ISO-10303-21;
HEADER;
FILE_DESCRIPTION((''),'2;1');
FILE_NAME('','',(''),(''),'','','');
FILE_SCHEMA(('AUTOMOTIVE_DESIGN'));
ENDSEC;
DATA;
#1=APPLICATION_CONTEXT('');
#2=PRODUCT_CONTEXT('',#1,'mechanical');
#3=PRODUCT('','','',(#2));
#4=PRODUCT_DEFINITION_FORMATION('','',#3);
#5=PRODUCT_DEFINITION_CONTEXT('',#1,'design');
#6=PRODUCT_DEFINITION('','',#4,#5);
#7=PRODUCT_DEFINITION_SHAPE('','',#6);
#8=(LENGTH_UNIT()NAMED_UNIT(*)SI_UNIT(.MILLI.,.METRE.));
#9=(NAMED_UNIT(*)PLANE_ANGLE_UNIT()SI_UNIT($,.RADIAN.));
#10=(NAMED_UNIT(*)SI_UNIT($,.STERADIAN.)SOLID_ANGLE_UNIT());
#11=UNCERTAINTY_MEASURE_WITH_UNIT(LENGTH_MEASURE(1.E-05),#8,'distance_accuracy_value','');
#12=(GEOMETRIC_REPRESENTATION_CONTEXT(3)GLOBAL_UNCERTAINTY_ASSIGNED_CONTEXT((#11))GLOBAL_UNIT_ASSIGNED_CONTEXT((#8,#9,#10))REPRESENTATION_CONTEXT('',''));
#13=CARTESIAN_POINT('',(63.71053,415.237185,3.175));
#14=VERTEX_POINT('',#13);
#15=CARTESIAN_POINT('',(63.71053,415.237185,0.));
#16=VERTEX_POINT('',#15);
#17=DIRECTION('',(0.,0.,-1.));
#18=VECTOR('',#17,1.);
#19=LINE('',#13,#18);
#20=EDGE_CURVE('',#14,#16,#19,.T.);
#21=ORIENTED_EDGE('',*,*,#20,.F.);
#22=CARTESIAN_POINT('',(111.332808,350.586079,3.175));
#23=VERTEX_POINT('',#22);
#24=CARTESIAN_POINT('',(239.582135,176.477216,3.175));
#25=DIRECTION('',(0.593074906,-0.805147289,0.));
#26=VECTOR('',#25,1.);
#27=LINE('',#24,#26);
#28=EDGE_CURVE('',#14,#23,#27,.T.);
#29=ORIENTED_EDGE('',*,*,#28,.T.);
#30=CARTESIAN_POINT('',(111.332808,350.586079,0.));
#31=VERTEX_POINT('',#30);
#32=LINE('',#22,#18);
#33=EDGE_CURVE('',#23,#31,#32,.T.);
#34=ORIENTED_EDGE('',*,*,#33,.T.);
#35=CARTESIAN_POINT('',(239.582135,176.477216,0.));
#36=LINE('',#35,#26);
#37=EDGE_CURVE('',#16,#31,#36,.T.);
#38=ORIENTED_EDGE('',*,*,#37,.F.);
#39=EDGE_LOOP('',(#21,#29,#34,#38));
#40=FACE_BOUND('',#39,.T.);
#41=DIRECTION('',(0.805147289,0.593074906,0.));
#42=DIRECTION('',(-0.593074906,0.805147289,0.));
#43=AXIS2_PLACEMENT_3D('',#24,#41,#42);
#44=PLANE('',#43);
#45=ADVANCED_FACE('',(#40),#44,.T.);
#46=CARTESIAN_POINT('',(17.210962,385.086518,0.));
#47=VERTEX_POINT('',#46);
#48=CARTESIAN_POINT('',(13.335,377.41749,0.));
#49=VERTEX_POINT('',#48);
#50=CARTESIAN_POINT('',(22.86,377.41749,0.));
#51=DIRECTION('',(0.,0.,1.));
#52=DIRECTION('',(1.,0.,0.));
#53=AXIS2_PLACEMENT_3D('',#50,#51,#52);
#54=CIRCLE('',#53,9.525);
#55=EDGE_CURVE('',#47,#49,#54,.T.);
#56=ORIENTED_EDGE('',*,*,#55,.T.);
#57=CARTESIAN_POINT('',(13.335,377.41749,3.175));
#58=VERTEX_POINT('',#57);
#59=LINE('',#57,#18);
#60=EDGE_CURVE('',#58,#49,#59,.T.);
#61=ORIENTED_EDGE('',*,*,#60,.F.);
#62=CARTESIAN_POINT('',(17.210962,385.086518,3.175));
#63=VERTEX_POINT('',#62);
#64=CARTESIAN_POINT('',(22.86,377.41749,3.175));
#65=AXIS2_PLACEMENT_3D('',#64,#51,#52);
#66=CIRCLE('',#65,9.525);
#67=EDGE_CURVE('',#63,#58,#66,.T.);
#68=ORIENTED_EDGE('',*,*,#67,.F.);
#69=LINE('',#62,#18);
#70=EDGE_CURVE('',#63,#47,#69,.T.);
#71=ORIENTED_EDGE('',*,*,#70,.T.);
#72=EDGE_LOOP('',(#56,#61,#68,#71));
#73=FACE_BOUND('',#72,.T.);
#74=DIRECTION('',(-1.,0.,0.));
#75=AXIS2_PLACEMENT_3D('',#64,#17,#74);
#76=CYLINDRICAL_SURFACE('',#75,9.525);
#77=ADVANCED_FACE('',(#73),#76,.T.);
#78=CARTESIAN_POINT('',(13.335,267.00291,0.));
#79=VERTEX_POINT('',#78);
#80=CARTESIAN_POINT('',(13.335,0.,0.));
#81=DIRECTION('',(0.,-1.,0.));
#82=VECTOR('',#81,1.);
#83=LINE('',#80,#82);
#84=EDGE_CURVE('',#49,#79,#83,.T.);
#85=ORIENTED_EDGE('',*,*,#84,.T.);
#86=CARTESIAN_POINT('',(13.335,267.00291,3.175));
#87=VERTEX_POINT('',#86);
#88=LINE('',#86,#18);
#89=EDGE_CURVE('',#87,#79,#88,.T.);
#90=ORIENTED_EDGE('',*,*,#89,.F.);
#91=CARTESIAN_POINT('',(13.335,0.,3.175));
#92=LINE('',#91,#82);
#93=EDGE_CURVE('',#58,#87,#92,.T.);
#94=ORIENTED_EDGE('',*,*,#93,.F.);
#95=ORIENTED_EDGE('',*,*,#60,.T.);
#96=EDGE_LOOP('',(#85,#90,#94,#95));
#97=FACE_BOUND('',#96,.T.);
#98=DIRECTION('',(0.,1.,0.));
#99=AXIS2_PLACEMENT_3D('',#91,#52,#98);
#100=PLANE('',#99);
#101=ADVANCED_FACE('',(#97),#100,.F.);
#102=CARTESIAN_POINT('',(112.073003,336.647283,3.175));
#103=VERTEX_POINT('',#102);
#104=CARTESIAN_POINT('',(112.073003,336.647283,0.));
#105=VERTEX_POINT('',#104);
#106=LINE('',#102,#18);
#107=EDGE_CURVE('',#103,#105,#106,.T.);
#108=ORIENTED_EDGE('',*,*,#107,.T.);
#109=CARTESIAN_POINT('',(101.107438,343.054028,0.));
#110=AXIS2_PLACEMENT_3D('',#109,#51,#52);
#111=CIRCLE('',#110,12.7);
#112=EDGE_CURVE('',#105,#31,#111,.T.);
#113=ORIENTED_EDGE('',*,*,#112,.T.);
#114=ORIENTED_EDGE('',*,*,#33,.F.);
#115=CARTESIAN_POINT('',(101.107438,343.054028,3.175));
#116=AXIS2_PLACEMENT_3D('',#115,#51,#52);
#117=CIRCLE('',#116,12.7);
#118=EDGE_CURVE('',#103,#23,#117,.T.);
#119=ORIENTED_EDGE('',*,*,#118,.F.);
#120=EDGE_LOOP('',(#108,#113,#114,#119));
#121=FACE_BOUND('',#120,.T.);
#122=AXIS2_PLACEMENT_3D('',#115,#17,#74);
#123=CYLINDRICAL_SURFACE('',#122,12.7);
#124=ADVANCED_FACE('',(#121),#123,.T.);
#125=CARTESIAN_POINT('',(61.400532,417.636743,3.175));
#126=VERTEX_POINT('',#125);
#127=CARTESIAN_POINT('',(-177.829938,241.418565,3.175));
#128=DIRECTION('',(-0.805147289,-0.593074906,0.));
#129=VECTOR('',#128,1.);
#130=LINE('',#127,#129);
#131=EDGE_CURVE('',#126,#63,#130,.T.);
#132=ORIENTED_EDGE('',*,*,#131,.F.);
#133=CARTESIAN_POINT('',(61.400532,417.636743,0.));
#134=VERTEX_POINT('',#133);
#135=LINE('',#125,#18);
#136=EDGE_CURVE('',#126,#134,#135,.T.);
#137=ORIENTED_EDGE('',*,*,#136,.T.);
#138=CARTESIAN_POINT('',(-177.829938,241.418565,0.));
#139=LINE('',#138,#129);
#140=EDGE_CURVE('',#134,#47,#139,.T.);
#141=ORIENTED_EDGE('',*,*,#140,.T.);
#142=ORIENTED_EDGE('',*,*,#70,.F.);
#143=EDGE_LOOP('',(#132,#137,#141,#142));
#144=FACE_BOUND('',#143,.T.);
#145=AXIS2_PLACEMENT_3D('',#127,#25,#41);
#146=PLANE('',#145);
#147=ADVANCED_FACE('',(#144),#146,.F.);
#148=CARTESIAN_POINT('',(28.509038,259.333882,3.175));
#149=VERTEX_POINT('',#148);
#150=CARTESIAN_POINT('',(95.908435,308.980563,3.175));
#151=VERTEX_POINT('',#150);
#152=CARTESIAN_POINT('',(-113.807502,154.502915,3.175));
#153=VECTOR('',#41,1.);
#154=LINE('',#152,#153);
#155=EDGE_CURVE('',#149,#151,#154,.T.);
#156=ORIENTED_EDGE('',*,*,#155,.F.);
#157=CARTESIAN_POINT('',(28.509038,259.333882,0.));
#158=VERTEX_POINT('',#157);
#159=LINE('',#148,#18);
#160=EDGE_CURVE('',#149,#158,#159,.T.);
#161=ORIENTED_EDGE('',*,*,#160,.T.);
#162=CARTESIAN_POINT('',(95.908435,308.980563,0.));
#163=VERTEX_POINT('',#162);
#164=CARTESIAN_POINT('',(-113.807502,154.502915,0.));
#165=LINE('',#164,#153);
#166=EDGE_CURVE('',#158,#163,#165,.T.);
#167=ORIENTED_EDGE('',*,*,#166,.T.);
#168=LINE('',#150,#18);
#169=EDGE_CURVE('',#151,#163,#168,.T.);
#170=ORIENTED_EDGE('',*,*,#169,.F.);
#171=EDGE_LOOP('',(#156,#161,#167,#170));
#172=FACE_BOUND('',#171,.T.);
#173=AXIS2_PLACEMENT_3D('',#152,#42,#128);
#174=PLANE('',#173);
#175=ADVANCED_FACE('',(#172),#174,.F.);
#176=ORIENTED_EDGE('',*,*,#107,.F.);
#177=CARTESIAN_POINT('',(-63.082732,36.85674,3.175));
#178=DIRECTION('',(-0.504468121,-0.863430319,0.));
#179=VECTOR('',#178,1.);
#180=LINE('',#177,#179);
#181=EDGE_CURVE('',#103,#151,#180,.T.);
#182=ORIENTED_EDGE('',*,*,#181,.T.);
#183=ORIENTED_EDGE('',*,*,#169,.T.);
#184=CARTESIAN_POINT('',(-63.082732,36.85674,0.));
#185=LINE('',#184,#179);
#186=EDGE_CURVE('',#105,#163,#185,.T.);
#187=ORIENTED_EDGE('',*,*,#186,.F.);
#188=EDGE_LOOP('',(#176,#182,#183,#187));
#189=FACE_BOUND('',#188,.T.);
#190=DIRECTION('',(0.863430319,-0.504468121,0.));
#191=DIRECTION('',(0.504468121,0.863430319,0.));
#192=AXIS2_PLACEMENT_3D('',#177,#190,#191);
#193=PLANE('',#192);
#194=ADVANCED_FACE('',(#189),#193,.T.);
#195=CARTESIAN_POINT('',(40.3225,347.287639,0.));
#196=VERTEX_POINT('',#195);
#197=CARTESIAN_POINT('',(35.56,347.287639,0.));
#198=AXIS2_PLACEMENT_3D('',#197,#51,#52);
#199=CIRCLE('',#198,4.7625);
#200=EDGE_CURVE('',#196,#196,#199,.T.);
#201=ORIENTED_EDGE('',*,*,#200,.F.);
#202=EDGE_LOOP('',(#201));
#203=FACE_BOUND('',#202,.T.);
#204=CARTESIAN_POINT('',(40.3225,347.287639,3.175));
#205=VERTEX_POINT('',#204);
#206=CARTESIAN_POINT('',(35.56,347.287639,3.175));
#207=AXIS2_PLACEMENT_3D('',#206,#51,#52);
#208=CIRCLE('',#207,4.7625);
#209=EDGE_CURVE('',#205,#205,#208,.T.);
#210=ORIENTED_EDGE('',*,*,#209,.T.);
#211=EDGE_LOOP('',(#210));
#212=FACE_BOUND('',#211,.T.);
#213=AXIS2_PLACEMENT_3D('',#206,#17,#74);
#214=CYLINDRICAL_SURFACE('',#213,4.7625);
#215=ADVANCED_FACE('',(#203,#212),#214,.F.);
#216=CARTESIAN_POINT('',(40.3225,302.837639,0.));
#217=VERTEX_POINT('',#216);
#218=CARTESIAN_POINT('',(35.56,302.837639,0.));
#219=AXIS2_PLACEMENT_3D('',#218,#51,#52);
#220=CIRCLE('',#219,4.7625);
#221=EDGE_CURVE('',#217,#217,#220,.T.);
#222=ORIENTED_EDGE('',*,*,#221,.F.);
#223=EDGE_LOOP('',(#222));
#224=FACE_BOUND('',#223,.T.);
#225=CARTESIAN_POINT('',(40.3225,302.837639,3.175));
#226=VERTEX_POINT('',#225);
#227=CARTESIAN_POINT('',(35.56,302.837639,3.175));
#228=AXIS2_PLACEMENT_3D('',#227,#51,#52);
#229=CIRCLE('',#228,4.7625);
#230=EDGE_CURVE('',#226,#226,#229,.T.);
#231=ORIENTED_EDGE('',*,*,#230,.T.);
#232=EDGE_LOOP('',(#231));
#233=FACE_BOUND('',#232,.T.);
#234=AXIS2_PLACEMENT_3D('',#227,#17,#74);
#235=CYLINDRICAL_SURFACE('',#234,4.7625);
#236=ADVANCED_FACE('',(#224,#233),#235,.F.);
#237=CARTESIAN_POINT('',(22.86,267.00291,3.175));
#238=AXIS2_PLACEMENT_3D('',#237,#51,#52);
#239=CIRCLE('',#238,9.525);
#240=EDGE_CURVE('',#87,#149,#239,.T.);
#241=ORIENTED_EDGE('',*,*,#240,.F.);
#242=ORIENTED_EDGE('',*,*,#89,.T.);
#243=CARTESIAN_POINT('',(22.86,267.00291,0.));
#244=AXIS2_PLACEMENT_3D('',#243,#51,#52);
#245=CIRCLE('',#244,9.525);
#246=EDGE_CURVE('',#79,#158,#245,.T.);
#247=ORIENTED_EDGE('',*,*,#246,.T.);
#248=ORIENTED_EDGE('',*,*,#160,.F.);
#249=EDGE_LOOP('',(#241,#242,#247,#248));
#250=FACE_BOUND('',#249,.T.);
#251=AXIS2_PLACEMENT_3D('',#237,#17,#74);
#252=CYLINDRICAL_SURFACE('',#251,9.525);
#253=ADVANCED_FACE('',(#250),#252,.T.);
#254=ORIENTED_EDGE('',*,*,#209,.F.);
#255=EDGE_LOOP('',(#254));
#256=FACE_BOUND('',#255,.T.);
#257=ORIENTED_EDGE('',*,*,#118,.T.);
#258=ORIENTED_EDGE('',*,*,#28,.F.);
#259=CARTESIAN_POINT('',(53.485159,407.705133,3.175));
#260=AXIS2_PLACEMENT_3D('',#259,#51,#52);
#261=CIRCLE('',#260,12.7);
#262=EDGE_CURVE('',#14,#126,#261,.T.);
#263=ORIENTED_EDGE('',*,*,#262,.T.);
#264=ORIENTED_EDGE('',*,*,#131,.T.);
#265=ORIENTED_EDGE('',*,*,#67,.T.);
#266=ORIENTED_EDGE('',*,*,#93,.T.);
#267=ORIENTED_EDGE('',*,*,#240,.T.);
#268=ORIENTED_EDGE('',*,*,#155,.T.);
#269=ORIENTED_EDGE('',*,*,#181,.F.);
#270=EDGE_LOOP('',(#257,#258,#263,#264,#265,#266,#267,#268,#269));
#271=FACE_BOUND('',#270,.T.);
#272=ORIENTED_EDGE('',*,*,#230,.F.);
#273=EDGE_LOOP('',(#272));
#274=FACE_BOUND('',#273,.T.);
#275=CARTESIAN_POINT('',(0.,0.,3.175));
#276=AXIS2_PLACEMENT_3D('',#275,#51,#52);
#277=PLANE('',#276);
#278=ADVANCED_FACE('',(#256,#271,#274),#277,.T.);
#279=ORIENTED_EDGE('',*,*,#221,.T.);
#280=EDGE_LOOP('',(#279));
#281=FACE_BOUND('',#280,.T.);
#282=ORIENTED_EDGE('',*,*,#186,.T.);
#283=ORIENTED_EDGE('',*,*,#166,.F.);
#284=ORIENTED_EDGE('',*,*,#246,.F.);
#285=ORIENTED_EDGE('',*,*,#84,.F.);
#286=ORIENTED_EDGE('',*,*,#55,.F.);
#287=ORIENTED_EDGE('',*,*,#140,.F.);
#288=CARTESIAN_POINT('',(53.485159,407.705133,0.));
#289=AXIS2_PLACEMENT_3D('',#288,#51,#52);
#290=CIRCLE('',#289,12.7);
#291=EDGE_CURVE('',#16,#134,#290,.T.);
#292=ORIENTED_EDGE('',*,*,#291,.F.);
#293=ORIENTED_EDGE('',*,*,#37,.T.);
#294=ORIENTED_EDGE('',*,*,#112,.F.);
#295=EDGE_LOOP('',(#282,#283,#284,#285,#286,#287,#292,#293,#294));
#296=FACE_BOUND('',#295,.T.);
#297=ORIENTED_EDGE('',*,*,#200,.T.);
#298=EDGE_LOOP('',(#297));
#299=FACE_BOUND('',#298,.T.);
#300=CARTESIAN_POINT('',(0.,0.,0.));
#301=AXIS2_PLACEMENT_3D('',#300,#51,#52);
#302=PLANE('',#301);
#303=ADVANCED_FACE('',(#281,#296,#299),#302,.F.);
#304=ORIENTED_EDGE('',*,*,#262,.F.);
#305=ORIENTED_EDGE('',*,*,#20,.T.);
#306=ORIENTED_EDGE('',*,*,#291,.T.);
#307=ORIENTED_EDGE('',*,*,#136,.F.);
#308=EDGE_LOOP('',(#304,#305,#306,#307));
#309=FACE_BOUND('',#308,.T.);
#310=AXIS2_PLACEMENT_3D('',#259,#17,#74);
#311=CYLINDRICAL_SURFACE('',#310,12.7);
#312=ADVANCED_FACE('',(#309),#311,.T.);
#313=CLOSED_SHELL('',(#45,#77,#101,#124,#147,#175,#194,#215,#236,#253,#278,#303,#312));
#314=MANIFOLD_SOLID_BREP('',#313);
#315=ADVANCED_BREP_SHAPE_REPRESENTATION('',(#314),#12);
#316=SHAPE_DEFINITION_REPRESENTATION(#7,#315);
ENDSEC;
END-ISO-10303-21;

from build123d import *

# Parameters (mm, degrees)
SKETCH1_R           = 4.7625
BOSS_EXTRUDE1_DEPTH = 3.175


with BuildPart() as part:
    # Sketch1 → Boss-Extrude1 (new body)
    with BuildSketch(Plane.XY):
        with BuildLine():
            Line((111.332808166, 350.586079181), (63.710529936, 415.237184501))
            ThreePointArc((63.710529936, 415.237184501), (62.634536999, 416.513021087), (61.400531956, 417.636743182))
            Line((61.400531956, 417.636743182), (17.210961523, 385.086518286))
            ThreePointArc((17.210961523, 385.086518286), (14.359037805, 381.713915243), (13.335, 377.417490362))
            Line((13.335, 377.417490362), (13.335, 267.002909993))
            ThreePointArc((13.335, 267.002909993), (18.563575119, 258.501947797), (28.509038477, 259.333882069))
            Line((28.509038477, 259.333882069), (95.90843461, 308.980562961))
            Line((95.90843461, 308.980562961), (112.073002649, 336.647282747))
            ThreePointArc((112.073002649, 336.647282747), (113.789568713, 343.727489431), (111.332808166, 350.586079181))
        make_face()
        with Locations((35.56, 302.837639338)):
            Circle(SKETCH1_R, mode=Mode.SUBTRACT)
        with Locations((35.56, 347.287639338)):
            Circle(SKETCH1_R, mode=Mode.SUBTRACT)
    extrude(amount=BOSS_EXTRUDE1_DEPTH)


solid = part.part
